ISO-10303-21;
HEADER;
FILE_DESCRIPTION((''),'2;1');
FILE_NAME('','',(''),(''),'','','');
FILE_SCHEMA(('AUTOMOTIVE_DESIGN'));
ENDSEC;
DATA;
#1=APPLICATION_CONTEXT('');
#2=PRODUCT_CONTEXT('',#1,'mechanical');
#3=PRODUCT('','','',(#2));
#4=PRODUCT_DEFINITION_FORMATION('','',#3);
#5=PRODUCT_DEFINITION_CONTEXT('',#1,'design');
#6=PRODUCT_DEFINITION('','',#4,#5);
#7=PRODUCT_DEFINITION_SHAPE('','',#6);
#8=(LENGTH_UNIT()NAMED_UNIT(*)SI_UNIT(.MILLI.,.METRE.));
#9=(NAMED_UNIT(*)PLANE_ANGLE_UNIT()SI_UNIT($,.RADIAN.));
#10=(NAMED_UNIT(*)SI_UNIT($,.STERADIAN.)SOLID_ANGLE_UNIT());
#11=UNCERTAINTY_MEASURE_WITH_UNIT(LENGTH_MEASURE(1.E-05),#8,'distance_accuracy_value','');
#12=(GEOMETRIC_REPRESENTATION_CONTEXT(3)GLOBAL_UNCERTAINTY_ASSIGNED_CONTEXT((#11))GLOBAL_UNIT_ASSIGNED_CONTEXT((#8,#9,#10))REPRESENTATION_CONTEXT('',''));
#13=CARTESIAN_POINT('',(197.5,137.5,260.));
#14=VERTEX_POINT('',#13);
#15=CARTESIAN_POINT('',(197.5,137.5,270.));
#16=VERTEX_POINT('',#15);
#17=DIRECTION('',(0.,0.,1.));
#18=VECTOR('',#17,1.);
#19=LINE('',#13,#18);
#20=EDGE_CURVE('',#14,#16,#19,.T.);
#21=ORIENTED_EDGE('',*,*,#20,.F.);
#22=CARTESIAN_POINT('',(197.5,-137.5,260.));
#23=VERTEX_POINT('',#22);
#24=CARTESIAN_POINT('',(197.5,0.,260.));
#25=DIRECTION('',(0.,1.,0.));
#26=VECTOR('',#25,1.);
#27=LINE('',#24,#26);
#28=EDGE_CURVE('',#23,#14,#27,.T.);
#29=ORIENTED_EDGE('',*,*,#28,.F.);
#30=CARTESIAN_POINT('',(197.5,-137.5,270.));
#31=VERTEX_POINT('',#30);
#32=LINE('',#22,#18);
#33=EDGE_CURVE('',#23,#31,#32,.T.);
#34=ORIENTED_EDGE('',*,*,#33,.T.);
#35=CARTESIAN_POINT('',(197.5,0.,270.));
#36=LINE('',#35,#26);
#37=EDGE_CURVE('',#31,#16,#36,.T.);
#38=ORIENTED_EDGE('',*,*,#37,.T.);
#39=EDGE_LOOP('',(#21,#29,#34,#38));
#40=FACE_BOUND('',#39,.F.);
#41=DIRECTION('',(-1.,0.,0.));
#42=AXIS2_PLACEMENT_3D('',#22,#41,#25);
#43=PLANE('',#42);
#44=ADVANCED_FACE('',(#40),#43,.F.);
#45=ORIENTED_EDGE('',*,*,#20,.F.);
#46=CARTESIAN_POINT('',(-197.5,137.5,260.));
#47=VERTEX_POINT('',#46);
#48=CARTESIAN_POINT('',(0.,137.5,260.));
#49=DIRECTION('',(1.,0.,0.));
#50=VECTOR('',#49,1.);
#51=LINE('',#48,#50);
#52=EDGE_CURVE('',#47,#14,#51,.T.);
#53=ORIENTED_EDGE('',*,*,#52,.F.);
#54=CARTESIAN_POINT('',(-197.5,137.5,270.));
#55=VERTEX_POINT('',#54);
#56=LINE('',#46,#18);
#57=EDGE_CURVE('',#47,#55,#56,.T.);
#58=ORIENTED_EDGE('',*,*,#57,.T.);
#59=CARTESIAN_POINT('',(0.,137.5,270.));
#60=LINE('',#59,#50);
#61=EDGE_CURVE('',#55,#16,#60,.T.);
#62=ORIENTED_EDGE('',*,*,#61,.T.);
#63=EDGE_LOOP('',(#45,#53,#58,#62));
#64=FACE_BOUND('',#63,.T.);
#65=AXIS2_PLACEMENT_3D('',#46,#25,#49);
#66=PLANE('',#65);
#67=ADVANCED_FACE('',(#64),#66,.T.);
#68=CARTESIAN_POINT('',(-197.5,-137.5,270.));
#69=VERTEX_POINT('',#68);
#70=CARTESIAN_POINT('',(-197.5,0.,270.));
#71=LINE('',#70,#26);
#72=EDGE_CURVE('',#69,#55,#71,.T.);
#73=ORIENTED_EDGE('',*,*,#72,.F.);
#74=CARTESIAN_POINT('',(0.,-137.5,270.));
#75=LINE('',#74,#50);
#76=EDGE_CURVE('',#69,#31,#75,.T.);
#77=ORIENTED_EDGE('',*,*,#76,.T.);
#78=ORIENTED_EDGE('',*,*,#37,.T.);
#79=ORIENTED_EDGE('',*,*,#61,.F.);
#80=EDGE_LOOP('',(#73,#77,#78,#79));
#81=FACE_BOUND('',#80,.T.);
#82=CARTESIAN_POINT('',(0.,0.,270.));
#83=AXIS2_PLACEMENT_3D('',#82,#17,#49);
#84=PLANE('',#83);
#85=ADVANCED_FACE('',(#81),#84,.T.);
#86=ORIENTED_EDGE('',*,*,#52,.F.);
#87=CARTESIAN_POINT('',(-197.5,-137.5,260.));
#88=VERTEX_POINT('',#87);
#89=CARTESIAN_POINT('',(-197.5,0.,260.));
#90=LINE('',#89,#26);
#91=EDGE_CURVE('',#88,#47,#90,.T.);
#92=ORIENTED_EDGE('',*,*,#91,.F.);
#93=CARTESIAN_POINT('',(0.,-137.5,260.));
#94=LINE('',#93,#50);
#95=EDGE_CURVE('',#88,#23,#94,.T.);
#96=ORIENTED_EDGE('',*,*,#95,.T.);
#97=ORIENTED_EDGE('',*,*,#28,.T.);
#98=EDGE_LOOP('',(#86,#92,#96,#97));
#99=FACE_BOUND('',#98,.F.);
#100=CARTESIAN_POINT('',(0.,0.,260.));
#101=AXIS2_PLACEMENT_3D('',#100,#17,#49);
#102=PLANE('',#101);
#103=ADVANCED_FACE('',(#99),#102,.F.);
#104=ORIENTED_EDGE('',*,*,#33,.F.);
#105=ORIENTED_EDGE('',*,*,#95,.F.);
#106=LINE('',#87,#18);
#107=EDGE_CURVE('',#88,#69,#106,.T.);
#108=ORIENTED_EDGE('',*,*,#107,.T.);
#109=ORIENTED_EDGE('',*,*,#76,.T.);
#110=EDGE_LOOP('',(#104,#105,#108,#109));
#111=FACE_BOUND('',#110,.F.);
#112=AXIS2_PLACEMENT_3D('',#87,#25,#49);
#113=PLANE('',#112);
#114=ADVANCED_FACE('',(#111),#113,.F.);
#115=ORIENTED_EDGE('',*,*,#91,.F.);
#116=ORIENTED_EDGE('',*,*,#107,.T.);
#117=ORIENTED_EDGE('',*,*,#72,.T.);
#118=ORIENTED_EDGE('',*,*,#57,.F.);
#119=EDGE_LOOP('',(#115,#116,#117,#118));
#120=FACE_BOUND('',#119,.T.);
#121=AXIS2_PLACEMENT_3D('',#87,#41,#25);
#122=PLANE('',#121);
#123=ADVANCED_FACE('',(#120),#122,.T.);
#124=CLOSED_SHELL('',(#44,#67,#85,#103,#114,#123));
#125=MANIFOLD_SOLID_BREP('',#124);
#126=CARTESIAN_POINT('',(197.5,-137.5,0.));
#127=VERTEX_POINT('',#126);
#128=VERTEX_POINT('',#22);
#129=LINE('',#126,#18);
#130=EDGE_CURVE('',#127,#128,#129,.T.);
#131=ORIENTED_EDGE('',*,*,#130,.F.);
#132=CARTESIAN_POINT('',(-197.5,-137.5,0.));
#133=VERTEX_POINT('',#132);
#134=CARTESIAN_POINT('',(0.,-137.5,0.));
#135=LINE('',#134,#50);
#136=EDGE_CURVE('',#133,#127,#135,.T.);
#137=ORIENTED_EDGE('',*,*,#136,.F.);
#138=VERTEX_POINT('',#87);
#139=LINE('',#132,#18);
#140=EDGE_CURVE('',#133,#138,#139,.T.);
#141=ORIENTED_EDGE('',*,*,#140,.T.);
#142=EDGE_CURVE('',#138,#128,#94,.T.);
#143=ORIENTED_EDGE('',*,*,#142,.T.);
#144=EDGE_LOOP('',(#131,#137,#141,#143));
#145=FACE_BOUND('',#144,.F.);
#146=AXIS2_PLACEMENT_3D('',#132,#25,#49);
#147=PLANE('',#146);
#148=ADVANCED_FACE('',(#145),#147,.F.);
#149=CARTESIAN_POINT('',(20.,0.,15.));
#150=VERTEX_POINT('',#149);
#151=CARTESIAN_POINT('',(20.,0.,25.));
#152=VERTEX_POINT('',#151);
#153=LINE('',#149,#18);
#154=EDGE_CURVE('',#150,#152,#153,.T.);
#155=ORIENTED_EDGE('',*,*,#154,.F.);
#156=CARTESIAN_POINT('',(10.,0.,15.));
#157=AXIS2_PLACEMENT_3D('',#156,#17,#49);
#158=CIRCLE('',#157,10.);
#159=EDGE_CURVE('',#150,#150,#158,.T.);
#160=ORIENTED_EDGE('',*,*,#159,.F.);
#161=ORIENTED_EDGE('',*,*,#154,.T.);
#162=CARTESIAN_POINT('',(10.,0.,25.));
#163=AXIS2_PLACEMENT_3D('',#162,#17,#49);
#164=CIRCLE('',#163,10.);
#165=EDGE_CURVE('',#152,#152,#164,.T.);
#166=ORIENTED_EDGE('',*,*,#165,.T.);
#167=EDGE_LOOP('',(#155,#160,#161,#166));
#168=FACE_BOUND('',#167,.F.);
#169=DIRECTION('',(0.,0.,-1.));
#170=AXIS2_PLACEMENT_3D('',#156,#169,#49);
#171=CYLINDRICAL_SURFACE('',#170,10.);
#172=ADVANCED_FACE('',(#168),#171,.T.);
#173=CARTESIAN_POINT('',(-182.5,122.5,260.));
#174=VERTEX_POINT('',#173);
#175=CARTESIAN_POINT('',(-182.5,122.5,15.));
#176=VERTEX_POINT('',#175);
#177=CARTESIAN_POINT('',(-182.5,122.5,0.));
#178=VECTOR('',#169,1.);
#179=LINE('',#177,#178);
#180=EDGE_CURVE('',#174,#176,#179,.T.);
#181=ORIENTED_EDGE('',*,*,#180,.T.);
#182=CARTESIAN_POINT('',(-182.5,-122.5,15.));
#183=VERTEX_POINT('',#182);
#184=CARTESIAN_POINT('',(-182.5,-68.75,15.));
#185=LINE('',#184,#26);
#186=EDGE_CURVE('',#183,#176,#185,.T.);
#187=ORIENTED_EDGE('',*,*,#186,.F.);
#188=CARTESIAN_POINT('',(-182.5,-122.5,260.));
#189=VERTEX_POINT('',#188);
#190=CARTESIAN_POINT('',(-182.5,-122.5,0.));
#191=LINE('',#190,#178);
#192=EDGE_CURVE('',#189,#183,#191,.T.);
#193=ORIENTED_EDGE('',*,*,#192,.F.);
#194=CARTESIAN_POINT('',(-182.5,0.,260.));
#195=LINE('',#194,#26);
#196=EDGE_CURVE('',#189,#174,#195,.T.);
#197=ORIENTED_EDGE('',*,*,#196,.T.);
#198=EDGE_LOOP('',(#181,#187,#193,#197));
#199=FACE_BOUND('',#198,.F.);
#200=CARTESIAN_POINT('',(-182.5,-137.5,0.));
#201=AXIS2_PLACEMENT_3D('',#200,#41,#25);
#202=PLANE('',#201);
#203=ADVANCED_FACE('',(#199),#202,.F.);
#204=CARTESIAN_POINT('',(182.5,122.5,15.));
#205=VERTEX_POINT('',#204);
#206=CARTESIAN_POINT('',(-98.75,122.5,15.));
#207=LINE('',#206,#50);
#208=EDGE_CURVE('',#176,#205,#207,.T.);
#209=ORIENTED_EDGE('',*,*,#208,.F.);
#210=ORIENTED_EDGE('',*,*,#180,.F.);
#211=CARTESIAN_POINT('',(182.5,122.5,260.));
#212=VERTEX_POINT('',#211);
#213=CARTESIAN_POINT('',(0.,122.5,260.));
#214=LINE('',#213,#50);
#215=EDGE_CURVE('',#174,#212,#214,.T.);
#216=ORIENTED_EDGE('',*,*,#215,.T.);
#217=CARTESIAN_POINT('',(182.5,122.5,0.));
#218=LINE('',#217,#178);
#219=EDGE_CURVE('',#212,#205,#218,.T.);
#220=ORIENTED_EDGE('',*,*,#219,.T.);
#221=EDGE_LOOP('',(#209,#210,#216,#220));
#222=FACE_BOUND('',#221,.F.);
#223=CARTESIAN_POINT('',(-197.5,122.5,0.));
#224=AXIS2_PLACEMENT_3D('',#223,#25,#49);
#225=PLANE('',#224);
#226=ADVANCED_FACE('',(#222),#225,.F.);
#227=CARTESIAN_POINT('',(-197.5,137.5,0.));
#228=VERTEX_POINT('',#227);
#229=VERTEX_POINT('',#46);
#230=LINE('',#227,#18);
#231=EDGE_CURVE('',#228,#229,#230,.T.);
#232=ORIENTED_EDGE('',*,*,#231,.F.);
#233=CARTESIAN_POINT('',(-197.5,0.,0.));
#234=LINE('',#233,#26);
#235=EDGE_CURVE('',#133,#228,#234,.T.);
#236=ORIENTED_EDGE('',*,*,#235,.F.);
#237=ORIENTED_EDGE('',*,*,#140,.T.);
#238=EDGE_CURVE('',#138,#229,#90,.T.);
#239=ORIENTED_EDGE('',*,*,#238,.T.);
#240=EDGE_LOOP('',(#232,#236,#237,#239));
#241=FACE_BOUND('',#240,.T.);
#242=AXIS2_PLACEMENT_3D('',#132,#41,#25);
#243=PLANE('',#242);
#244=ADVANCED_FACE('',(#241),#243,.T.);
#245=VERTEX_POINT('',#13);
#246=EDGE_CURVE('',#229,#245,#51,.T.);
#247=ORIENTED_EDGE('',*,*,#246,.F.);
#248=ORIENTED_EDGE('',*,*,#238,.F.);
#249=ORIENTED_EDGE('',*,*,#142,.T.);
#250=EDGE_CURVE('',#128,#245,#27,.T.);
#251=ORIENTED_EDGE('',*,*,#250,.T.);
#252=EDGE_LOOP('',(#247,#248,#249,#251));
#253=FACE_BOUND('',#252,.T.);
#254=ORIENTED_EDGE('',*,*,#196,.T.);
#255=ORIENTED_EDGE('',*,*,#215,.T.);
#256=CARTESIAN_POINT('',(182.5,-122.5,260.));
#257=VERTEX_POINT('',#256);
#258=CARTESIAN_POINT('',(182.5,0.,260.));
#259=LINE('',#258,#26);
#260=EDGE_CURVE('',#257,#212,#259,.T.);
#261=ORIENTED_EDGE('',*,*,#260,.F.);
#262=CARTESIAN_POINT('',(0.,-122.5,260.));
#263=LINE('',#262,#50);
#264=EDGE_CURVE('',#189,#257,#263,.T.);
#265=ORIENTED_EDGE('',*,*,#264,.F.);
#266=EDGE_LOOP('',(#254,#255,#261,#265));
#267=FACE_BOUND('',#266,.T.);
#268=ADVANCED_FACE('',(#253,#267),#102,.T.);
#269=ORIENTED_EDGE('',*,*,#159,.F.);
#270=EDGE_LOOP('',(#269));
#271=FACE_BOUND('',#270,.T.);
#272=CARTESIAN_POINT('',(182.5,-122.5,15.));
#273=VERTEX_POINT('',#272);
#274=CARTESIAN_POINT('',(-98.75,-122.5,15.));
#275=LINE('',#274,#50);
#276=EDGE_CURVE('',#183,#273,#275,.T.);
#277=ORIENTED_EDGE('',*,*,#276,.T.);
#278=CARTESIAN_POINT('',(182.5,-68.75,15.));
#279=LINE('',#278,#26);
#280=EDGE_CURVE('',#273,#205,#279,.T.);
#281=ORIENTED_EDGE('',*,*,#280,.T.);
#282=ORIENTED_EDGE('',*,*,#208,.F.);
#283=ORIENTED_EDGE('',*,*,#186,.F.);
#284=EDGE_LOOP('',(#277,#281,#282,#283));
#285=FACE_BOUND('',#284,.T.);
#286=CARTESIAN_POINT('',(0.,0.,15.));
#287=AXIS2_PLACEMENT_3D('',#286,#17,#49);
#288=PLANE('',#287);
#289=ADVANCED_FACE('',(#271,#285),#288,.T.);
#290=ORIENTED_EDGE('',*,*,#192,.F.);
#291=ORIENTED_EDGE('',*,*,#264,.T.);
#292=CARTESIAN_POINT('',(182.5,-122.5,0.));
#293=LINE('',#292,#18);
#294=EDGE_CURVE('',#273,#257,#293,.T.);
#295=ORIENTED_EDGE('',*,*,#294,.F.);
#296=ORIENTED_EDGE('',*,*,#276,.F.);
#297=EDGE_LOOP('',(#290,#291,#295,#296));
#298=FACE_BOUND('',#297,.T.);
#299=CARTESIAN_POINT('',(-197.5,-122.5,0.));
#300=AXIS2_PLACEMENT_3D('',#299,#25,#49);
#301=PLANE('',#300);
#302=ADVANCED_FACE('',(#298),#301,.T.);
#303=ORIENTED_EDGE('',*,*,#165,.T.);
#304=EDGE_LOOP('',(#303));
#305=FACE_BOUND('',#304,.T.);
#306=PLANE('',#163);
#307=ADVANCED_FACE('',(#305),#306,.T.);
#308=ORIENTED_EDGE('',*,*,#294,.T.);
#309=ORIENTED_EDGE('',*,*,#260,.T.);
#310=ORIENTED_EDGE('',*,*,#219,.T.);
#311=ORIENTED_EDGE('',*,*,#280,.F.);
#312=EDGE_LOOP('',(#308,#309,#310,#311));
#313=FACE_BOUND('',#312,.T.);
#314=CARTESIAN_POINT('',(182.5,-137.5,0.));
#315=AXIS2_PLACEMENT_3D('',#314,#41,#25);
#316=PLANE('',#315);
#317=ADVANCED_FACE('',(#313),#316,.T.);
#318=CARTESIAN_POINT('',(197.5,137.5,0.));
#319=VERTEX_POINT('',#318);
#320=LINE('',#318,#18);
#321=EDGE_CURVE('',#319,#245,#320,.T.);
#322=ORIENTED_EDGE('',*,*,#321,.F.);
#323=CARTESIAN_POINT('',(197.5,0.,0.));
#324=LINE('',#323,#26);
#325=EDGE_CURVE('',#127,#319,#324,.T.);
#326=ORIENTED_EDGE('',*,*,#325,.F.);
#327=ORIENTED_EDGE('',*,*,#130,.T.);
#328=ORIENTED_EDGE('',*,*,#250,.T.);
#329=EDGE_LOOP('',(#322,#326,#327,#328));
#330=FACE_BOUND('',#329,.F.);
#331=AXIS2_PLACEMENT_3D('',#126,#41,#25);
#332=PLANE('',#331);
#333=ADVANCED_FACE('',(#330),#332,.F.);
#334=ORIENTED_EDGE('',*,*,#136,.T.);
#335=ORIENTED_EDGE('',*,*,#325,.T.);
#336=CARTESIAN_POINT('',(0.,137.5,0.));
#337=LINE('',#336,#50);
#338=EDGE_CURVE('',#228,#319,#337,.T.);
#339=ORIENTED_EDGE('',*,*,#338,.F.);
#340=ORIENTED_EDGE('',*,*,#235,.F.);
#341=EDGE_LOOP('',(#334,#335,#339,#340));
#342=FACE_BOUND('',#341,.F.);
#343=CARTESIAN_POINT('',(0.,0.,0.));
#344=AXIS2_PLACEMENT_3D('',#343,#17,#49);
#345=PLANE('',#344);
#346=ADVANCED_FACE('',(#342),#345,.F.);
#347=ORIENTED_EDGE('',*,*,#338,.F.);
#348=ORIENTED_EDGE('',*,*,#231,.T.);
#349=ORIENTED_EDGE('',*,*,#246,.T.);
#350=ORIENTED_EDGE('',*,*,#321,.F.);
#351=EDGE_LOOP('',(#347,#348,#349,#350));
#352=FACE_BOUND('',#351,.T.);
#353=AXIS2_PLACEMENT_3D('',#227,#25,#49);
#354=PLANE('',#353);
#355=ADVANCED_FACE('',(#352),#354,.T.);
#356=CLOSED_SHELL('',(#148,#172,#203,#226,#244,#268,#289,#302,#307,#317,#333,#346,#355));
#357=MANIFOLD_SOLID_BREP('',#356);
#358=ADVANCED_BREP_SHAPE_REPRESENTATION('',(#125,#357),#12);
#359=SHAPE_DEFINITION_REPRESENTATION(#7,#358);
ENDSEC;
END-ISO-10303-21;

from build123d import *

# Parameters (mm, degrees)
F0_W     = 395
F0_H     = 275
F1_DEPTH = 260
F2_T     = -15
F3_W     = 395
F3_H     = 275
F3_W_2   = 365
F3_H_2   = 245
F4_DEPTH = 10
F5_R     = 10
F6_DEPTH = 10


with BuildPart() as f1:
    # F0 (on Top) → F1 (new body)
    with BuildSketch(Plane.XY):
        Rectangle(F0_W, F0_H)
    extrude(amount=F1_DEPTH)

    # F2
    f2_openings = [f1.faces().sort_by_distance(p)[0] for p in [
        (0, 0, 260),
    ]]
    offset(amount=F2_T, openings=f2_openings)

    # F5 (on face) → F6 (join)
    with BuildSketch(Plane.XY.offset(15)):
        with Locations((10, 0)):
            Circle(F5_R)
    extrude(amount=F6_DEPTH)


with BuildPart() as f4:
    # F3 (on face) → F4 (new body)
    with BuildSketch(Plane.XY.offset(260)):
        Rectangle(F3_W, F3_H)
        Rectangle(F3_W_2, F3_H_2, mode=Mode.SUBTRACT)
        Rectangle(F3_W_2, F3_H_2)
    extrude(amount=F4_DEPTH)


solid = Compound([f1.part, f4.part])
